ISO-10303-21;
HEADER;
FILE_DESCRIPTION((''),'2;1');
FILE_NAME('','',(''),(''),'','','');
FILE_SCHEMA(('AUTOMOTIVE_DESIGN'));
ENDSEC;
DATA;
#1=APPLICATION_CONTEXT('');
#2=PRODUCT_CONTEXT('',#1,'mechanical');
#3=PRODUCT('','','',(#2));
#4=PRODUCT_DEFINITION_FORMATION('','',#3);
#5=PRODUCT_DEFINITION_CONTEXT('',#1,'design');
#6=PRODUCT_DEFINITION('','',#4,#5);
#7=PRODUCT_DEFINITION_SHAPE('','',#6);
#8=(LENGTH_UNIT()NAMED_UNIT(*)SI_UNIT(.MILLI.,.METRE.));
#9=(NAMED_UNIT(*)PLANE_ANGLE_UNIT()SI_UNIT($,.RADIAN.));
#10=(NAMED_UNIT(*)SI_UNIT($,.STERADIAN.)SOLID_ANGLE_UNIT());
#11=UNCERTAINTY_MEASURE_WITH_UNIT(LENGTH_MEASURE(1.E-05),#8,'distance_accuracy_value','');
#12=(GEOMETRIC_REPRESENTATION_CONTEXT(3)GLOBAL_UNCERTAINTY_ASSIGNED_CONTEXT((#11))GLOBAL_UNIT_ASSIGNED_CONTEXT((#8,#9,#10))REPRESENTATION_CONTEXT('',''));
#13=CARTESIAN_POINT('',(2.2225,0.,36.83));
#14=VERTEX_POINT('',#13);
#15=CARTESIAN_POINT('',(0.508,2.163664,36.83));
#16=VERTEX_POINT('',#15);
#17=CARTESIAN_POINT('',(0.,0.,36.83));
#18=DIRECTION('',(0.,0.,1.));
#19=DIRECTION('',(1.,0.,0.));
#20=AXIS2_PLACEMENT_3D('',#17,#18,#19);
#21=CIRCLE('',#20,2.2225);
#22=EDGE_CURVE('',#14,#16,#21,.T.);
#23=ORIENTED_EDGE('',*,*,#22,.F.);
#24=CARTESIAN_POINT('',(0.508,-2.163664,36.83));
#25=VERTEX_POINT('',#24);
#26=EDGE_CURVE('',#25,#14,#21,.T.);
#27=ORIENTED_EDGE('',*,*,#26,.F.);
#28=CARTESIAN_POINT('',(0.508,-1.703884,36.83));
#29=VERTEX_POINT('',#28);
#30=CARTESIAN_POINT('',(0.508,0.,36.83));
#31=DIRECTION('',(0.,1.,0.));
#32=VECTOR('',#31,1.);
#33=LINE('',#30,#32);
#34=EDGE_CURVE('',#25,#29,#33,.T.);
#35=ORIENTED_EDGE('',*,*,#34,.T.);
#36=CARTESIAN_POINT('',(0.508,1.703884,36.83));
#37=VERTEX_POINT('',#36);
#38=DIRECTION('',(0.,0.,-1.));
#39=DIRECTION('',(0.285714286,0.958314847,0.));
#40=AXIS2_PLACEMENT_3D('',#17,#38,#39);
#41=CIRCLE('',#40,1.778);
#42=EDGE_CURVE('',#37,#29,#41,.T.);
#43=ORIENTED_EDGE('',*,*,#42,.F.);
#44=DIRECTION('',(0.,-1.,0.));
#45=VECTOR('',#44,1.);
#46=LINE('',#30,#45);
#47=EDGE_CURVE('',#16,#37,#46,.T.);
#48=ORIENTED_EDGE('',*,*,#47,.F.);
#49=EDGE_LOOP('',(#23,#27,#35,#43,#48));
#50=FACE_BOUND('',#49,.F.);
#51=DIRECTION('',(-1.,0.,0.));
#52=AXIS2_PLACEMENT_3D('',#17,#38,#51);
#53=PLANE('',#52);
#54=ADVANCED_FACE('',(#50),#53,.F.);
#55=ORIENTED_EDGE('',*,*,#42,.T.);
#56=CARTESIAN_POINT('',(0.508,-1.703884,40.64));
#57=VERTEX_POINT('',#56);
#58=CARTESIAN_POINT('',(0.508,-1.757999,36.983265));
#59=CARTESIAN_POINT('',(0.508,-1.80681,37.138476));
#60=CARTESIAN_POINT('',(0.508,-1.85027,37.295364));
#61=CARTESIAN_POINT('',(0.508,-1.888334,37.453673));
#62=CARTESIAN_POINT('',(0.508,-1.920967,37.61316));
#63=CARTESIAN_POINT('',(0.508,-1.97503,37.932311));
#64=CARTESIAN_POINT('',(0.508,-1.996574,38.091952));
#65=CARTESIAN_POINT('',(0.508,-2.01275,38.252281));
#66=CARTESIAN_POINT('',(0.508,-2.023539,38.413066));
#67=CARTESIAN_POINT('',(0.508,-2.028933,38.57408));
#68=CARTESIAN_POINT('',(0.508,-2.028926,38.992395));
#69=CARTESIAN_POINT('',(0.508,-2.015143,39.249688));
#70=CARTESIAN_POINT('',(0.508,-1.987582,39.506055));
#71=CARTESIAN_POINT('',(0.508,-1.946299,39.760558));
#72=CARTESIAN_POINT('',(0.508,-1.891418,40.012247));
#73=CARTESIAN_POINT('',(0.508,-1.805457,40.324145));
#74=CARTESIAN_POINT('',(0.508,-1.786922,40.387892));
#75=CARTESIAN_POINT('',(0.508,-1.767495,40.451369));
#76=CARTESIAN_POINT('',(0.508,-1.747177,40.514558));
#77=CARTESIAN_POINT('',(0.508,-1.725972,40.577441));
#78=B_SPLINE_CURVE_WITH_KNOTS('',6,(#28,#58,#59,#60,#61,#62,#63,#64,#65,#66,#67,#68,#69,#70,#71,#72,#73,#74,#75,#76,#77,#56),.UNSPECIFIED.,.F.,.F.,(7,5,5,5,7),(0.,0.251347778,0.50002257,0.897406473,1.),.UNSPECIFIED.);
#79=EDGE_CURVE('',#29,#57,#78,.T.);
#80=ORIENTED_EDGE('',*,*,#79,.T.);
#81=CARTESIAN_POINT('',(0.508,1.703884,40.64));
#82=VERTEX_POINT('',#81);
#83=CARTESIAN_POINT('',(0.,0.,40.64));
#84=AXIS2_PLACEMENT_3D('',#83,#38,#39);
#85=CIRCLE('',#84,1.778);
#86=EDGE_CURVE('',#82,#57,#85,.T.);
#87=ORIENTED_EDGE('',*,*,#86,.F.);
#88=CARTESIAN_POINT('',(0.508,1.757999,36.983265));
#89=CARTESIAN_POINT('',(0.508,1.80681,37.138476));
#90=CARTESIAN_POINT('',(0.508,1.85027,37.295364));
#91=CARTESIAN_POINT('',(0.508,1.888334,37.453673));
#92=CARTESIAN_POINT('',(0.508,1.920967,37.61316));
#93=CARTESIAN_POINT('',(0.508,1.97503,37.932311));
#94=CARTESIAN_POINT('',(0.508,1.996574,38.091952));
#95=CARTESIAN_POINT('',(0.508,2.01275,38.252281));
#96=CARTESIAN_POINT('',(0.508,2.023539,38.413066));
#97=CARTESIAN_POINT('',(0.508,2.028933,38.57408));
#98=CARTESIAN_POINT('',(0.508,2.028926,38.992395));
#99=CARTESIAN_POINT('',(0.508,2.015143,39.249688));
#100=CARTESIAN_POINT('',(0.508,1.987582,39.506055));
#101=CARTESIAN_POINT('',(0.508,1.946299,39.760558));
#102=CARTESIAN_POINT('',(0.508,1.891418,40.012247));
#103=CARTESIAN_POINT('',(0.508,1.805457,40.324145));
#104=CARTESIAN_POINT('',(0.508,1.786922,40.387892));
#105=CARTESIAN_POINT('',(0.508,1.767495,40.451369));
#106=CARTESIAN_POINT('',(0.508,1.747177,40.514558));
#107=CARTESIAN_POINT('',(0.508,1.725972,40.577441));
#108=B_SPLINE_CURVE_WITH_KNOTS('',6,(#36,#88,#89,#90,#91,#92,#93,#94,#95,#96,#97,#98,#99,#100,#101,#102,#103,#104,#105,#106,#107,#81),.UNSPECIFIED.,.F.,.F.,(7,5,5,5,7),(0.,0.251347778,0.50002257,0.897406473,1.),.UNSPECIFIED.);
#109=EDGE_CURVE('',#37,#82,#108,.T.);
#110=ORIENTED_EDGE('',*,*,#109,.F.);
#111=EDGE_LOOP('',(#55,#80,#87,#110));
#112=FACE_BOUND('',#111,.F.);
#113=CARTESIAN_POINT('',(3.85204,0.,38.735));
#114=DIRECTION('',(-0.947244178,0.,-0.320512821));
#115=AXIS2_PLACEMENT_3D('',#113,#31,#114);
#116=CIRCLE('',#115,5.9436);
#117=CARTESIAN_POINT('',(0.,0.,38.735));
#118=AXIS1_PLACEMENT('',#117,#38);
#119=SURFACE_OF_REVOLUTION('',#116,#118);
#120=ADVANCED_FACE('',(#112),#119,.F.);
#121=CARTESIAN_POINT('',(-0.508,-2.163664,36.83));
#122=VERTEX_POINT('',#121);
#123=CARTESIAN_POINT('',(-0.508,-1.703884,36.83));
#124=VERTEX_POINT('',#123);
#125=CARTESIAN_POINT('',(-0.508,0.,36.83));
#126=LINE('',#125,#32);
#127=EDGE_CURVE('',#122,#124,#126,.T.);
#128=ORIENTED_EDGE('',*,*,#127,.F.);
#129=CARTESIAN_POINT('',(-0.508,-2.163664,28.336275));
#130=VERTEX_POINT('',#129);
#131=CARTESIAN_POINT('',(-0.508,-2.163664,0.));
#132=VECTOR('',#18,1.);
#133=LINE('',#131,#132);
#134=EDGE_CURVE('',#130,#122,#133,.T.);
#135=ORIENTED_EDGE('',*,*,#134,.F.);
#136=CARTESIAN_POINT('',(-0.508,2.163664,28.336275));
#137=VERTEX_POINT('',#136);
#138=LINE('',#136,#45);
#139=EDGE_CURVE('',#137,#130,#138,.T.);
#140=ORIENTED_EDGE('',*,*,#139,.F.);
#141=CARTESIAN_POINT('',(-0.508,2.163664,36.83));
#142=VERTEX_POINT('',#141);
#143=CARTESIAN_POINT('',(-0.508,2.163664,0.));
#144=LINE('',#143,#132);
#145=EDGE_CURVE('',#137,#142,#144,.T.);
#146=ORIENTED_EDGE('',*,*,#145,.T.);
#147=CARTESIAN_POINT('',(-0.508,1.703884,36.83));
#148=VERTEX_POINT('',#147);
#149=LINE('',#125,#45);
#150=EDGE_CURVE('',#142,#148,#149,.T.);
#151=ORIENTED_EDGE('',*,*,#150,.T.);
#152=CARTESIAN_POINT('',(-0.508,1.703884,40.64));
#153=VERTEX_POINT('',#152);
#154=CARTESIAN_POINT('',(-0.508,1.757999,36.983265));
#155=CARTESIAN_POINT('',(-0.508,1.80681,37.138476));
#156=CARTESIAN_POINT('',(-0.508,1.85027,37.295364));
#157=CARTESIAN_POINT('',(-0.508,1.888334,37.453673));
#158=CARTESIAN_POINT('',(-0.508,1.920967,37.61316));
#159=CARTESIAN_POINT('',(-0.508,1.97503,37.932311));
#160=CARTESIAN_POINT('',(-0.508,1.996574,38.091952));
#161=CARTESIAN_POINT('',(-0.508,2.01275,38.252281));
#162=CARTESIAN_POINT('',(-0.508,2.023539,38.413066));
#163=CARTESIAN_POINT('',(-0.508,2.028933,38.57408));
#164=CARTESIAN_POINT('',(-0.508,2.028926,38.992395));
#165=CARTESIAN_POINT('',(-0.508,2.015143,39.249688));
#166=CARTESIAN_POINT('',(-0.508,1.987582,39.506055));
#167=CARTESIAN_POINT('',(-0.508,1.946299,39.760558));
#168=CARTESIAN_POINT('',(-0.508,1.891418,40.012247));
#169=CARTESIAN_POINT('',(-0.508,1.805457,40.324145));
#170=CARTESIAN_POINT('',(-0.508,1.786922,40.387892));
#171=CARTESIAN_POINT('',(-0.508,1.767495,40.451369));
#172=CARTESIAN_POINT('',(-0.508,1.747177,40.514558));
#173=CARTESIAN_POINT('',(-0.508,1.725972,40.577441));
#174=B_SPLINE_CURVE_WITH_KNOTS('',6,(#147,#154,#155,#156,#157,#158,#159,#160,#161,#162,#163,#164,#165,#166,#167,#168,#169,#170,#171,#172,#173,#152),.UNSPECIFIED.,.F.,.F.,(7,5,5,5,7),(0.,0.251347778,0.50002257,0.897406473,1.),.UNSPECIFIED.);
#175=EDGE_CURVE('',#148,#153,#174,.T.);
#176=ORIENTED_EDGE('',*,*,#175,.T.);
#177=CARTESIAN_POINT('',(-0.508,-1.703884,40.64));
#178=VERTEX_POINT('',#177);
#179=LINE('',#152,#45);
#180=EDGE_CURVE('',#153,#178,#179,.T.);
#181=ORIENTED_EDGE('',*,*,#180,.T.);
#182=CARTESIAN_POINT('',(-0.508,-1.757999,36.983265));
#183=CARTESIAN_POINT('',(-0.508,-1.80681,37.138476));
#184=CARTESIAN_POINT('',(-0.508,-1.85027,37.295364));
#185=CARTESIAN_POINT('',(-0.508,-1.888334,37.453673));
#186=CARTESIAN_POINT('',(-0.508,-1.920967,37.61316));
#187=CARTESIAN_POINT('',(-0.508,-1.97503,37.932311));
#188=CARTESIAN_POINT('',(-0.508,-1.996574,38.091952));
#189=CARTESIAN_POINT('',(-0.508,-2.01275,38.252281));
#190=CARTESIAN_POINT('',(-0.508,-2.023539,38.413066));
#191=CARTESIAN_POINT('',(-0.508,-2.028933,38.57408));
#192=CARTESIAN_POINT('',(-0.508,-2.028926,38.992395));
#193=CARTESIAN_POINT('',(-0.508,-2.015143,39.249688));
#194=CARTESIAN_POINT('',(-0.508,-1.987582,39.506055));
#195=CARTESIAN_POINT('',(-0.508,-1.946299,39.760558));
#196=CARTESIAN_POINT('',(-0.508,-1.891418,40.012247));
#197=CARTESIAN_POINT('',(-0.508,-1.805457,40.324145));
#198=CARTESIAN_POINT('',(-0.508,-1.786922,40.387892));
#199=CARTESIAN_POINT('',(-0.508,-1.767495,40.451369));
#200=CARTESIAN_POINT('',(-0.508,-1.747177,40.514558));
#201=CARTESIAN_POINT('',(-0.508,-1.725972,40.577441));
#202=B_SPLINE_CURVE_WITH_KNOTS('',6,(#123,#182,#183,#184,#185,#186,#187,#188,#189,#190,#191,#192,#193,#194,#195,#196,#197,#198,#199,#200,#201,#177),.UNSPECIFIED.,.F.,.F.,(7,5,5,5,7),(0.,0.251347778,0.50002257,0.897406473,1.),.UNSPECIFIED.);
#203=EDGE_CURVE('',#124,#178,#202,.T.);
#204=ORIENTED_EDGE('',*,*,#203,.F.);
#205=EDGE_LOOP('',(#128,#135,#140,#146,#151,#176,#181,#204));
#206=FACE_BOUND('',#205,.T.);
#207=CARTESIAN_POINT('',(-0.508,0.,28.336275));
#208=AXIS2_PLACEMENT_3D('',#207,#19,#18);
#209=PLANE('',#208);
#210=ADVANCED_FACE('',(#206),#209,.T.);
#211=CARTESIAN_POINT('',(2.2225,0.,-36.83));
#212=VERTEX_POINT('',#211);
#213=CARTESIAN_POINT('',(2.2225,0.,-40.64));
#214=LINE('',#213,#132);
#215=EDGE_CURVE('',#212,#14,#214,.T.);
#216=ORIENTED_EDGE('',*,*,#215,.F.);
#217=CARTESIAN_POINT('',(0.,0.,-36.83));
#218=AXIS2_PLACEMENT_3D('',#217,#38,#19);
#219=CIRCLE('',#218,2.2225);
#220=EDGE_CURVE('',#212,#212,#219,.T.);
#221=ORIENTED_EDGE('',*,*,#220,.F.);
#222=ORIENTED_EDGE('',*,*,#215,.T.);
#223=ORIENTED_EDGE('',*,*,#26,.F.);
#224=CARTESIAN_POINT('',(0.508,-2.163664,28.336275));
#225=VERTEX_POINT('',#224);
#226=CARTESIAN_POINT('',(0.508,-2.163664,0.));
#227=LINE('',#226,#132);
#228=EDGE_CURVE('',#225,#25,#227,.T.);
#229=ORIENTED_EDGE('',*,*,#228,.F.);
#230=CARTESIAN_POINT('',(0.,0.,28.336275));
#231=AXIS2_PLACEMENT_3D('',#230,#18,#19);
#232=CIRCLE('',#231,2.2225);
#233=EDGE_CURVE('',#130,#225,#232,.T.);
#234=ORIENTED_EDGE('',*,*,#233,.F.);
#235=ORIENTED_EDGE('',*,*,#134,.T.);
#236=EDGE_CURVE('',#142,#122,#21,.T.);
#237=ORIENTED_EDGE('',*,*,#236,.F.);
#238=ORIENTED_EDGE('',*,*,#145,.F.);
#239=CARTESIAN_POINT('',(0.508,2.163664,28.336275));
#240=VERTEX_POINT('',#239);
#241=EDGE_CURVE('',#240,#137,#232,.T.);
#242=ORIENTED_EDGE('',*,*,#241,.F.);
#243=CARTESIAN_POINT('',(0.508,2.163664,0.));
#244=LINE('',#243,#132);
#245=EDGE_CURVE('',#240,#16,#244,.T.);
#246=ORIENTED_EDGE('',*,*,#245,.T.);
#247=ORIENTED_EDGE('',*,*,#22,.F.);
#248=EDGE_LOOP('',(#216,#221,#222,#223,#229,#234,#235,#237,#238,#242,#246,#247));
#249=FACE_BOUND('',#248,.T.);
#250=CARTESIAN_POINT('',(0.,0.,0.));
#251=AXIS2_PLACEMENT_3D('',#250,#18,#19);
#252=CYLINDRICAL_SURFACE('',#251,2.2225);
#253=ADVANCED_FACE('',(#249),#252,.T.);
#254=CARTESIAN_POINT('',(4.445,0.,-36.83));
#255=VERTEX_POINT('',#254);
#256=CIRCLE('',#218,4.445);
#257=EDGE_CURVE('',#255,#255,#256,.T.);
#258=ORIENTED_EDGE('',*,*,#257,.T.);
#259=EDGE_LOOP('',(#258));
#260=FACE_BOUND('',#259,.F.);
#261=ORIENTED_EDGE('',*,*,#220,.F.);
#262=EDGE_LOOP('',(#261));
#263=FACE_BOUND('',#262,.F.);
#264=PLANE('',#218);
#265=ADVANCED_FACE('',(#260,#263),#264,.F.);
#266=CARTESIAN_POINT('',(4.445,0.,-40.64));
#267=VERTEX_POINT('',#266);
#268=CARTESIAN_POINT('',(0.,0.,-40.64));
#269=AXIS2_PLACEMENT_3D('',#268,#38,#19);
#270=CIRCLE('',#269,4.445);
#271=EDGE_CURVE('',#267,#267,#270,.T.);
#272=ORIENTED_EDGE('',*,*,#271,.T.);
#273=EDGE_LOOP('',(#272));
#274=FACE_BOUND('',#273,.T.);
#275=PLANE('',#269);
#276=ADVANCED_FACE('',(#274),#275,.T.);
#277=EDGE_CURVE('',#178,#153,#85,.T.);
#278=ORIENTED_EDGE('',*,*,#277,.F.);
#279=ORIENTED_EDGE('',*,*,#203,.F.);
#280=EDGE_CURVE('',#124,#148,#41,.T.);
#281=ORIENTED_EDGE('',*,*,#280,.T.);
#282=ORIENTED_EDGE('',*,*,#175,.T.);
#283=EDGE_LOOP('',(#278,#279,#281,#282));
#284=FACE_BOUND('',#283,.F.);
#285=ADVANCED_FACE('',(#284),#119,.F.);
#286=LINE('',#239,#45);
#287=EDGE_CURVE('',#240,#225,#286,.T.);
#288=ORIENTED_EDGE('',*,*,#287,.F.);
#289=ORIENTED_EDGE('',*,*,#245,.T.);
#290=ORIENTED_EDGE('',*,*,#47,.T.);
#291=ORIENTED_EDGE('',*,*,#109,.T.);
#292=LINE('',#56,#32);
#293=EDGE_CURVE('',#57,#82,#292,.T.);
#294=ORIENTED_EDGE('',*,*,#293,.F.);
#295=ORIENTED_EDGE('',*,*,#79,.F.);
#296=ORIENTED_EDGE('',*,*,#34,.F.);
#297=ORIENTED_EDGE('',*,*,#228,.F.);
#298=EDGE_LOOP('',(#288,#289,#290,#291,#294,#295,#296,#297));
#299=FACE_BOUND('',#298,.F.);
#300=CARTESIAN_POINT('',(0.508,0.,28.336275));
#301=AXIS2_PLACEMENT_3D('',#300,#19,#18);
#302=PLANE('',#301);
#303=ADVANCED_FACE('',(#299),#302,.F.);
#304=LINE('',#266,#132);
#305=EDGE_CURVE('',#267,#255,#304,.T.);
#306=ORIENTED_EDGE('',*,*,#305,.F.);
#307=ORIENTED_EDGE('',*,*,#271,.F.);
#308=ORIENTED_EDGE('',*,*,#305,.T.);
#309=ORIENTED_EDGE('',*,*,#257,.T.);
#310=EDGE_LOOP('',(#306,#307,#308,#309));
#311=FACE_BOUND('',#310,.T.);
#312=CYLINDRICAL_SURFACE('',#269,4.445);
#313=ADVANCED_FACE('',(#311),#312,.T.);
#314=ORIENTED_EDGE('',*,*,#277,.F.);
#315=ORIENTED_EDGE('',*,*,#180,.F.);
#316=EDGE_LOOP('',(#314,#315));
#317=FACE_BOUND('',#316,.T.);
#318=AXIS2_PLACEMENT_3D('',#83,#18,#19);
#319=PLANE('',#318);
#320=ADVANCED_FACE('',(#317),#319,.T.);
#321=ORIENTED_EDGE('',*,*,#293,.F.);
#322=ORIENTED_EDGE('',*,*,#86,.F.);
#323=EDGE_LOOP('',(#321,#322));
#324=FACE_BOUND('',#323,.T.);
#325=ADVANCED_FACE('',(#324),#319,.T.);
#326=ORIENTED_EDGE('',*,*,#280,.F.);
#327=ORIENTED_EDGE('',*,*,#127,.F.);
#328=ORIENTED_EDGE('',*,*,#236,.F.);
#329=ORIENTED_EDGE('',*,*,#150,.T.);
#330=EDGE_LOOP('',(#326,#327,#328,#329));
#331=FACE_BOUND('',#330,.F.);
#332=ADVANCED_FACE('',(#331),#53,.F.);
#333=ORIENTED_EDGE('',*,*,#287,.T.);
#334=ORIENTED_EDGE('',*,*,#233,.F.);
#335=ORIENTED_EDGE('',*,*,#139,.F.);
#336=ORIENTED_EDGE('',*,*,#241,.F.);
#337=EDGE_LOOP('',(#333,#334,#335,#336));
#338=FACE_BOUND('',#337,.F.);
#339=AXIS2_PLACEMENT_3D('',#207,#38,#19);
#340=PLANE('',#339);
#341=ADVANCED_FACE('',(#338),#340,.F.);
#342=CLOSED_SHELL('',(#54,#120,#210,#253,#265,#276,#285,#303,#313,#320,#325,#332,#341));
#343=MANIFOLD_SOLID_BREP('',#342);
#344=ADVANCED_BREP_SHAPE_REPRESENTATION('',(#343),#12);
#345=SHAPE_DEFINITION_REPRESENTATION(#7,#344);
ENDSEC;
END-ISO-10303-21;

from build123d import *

# Parameters (mm, degrees)
F0_R          = 2.2225
F1_DEPTH      = 40.64
F1_DEPTH_BACK = 40.64
F2_R          = 4.445
F2_R_2        = 2.2225
F3_DEPTH      = 3.81
F6_W          = 1.016
F6_H          = 12.7
F7_DEPTH      = 25.4
F7_DEPTH_BACK = 25.4


with BuildPart() as f1:
    # F0 (on Top) → F1 (new body, two sides)
    with BuildSketch(Plane.XY) as f1_sk:
        Circle(F0_R)
    extrude(amount=F1_DEPTH)
    extrude(f1_sk.sketch, amount=-F1_DEPTH_BACK)

    # F2 (on face) → F3 (join)
    with BuildSketch(Plane(origin=(0, 0, -40.64), x_dir=(1, 0, 0), z_dir=(0, 0, -1))):
        Circle(F2_R)
        Circle(F2_R_2, mode=Mode.SUBTRACT)
    extrude(amount=-F3_DEPTH)

    # F4 (on Front) → F5 (revolve, cut)
    with BuildSketch(Plane.XZ):
        with BuildLine():
            ThreePointArc((-1.778, 36.83), (-2.0915595064, 38.735), (-1.778, 40.64))
            Line((-1.778, 40.64), (-5.5500328927, 40.64))
            Line((-5.5500328927, 40.64), (-5.5500328927, 36.83))
            Line((-5.5500328927, 36.83), (-1.778, 36.83))
        make_face()
    revolve(axis=Axis((0, 0, 38.735), (0, 0, -1)), mode=Mode.SUBTRACT)

    # F6 (on Front) → F7 (cut, two sides)
    with BuildSketch(Plane.XZ) as f7_sk:
        with Locations((0, 34.6862748265)):
            Rectangle(F6_W, F6_H)
    extrude(amount=-F7_DEPTH, mode=Mode.SUBTRACT)
    extrude(f7_sk.sketch, amount=F7_DEPTH_BACK, mode=Mode.SUBTRACT)


solid = f1.part
